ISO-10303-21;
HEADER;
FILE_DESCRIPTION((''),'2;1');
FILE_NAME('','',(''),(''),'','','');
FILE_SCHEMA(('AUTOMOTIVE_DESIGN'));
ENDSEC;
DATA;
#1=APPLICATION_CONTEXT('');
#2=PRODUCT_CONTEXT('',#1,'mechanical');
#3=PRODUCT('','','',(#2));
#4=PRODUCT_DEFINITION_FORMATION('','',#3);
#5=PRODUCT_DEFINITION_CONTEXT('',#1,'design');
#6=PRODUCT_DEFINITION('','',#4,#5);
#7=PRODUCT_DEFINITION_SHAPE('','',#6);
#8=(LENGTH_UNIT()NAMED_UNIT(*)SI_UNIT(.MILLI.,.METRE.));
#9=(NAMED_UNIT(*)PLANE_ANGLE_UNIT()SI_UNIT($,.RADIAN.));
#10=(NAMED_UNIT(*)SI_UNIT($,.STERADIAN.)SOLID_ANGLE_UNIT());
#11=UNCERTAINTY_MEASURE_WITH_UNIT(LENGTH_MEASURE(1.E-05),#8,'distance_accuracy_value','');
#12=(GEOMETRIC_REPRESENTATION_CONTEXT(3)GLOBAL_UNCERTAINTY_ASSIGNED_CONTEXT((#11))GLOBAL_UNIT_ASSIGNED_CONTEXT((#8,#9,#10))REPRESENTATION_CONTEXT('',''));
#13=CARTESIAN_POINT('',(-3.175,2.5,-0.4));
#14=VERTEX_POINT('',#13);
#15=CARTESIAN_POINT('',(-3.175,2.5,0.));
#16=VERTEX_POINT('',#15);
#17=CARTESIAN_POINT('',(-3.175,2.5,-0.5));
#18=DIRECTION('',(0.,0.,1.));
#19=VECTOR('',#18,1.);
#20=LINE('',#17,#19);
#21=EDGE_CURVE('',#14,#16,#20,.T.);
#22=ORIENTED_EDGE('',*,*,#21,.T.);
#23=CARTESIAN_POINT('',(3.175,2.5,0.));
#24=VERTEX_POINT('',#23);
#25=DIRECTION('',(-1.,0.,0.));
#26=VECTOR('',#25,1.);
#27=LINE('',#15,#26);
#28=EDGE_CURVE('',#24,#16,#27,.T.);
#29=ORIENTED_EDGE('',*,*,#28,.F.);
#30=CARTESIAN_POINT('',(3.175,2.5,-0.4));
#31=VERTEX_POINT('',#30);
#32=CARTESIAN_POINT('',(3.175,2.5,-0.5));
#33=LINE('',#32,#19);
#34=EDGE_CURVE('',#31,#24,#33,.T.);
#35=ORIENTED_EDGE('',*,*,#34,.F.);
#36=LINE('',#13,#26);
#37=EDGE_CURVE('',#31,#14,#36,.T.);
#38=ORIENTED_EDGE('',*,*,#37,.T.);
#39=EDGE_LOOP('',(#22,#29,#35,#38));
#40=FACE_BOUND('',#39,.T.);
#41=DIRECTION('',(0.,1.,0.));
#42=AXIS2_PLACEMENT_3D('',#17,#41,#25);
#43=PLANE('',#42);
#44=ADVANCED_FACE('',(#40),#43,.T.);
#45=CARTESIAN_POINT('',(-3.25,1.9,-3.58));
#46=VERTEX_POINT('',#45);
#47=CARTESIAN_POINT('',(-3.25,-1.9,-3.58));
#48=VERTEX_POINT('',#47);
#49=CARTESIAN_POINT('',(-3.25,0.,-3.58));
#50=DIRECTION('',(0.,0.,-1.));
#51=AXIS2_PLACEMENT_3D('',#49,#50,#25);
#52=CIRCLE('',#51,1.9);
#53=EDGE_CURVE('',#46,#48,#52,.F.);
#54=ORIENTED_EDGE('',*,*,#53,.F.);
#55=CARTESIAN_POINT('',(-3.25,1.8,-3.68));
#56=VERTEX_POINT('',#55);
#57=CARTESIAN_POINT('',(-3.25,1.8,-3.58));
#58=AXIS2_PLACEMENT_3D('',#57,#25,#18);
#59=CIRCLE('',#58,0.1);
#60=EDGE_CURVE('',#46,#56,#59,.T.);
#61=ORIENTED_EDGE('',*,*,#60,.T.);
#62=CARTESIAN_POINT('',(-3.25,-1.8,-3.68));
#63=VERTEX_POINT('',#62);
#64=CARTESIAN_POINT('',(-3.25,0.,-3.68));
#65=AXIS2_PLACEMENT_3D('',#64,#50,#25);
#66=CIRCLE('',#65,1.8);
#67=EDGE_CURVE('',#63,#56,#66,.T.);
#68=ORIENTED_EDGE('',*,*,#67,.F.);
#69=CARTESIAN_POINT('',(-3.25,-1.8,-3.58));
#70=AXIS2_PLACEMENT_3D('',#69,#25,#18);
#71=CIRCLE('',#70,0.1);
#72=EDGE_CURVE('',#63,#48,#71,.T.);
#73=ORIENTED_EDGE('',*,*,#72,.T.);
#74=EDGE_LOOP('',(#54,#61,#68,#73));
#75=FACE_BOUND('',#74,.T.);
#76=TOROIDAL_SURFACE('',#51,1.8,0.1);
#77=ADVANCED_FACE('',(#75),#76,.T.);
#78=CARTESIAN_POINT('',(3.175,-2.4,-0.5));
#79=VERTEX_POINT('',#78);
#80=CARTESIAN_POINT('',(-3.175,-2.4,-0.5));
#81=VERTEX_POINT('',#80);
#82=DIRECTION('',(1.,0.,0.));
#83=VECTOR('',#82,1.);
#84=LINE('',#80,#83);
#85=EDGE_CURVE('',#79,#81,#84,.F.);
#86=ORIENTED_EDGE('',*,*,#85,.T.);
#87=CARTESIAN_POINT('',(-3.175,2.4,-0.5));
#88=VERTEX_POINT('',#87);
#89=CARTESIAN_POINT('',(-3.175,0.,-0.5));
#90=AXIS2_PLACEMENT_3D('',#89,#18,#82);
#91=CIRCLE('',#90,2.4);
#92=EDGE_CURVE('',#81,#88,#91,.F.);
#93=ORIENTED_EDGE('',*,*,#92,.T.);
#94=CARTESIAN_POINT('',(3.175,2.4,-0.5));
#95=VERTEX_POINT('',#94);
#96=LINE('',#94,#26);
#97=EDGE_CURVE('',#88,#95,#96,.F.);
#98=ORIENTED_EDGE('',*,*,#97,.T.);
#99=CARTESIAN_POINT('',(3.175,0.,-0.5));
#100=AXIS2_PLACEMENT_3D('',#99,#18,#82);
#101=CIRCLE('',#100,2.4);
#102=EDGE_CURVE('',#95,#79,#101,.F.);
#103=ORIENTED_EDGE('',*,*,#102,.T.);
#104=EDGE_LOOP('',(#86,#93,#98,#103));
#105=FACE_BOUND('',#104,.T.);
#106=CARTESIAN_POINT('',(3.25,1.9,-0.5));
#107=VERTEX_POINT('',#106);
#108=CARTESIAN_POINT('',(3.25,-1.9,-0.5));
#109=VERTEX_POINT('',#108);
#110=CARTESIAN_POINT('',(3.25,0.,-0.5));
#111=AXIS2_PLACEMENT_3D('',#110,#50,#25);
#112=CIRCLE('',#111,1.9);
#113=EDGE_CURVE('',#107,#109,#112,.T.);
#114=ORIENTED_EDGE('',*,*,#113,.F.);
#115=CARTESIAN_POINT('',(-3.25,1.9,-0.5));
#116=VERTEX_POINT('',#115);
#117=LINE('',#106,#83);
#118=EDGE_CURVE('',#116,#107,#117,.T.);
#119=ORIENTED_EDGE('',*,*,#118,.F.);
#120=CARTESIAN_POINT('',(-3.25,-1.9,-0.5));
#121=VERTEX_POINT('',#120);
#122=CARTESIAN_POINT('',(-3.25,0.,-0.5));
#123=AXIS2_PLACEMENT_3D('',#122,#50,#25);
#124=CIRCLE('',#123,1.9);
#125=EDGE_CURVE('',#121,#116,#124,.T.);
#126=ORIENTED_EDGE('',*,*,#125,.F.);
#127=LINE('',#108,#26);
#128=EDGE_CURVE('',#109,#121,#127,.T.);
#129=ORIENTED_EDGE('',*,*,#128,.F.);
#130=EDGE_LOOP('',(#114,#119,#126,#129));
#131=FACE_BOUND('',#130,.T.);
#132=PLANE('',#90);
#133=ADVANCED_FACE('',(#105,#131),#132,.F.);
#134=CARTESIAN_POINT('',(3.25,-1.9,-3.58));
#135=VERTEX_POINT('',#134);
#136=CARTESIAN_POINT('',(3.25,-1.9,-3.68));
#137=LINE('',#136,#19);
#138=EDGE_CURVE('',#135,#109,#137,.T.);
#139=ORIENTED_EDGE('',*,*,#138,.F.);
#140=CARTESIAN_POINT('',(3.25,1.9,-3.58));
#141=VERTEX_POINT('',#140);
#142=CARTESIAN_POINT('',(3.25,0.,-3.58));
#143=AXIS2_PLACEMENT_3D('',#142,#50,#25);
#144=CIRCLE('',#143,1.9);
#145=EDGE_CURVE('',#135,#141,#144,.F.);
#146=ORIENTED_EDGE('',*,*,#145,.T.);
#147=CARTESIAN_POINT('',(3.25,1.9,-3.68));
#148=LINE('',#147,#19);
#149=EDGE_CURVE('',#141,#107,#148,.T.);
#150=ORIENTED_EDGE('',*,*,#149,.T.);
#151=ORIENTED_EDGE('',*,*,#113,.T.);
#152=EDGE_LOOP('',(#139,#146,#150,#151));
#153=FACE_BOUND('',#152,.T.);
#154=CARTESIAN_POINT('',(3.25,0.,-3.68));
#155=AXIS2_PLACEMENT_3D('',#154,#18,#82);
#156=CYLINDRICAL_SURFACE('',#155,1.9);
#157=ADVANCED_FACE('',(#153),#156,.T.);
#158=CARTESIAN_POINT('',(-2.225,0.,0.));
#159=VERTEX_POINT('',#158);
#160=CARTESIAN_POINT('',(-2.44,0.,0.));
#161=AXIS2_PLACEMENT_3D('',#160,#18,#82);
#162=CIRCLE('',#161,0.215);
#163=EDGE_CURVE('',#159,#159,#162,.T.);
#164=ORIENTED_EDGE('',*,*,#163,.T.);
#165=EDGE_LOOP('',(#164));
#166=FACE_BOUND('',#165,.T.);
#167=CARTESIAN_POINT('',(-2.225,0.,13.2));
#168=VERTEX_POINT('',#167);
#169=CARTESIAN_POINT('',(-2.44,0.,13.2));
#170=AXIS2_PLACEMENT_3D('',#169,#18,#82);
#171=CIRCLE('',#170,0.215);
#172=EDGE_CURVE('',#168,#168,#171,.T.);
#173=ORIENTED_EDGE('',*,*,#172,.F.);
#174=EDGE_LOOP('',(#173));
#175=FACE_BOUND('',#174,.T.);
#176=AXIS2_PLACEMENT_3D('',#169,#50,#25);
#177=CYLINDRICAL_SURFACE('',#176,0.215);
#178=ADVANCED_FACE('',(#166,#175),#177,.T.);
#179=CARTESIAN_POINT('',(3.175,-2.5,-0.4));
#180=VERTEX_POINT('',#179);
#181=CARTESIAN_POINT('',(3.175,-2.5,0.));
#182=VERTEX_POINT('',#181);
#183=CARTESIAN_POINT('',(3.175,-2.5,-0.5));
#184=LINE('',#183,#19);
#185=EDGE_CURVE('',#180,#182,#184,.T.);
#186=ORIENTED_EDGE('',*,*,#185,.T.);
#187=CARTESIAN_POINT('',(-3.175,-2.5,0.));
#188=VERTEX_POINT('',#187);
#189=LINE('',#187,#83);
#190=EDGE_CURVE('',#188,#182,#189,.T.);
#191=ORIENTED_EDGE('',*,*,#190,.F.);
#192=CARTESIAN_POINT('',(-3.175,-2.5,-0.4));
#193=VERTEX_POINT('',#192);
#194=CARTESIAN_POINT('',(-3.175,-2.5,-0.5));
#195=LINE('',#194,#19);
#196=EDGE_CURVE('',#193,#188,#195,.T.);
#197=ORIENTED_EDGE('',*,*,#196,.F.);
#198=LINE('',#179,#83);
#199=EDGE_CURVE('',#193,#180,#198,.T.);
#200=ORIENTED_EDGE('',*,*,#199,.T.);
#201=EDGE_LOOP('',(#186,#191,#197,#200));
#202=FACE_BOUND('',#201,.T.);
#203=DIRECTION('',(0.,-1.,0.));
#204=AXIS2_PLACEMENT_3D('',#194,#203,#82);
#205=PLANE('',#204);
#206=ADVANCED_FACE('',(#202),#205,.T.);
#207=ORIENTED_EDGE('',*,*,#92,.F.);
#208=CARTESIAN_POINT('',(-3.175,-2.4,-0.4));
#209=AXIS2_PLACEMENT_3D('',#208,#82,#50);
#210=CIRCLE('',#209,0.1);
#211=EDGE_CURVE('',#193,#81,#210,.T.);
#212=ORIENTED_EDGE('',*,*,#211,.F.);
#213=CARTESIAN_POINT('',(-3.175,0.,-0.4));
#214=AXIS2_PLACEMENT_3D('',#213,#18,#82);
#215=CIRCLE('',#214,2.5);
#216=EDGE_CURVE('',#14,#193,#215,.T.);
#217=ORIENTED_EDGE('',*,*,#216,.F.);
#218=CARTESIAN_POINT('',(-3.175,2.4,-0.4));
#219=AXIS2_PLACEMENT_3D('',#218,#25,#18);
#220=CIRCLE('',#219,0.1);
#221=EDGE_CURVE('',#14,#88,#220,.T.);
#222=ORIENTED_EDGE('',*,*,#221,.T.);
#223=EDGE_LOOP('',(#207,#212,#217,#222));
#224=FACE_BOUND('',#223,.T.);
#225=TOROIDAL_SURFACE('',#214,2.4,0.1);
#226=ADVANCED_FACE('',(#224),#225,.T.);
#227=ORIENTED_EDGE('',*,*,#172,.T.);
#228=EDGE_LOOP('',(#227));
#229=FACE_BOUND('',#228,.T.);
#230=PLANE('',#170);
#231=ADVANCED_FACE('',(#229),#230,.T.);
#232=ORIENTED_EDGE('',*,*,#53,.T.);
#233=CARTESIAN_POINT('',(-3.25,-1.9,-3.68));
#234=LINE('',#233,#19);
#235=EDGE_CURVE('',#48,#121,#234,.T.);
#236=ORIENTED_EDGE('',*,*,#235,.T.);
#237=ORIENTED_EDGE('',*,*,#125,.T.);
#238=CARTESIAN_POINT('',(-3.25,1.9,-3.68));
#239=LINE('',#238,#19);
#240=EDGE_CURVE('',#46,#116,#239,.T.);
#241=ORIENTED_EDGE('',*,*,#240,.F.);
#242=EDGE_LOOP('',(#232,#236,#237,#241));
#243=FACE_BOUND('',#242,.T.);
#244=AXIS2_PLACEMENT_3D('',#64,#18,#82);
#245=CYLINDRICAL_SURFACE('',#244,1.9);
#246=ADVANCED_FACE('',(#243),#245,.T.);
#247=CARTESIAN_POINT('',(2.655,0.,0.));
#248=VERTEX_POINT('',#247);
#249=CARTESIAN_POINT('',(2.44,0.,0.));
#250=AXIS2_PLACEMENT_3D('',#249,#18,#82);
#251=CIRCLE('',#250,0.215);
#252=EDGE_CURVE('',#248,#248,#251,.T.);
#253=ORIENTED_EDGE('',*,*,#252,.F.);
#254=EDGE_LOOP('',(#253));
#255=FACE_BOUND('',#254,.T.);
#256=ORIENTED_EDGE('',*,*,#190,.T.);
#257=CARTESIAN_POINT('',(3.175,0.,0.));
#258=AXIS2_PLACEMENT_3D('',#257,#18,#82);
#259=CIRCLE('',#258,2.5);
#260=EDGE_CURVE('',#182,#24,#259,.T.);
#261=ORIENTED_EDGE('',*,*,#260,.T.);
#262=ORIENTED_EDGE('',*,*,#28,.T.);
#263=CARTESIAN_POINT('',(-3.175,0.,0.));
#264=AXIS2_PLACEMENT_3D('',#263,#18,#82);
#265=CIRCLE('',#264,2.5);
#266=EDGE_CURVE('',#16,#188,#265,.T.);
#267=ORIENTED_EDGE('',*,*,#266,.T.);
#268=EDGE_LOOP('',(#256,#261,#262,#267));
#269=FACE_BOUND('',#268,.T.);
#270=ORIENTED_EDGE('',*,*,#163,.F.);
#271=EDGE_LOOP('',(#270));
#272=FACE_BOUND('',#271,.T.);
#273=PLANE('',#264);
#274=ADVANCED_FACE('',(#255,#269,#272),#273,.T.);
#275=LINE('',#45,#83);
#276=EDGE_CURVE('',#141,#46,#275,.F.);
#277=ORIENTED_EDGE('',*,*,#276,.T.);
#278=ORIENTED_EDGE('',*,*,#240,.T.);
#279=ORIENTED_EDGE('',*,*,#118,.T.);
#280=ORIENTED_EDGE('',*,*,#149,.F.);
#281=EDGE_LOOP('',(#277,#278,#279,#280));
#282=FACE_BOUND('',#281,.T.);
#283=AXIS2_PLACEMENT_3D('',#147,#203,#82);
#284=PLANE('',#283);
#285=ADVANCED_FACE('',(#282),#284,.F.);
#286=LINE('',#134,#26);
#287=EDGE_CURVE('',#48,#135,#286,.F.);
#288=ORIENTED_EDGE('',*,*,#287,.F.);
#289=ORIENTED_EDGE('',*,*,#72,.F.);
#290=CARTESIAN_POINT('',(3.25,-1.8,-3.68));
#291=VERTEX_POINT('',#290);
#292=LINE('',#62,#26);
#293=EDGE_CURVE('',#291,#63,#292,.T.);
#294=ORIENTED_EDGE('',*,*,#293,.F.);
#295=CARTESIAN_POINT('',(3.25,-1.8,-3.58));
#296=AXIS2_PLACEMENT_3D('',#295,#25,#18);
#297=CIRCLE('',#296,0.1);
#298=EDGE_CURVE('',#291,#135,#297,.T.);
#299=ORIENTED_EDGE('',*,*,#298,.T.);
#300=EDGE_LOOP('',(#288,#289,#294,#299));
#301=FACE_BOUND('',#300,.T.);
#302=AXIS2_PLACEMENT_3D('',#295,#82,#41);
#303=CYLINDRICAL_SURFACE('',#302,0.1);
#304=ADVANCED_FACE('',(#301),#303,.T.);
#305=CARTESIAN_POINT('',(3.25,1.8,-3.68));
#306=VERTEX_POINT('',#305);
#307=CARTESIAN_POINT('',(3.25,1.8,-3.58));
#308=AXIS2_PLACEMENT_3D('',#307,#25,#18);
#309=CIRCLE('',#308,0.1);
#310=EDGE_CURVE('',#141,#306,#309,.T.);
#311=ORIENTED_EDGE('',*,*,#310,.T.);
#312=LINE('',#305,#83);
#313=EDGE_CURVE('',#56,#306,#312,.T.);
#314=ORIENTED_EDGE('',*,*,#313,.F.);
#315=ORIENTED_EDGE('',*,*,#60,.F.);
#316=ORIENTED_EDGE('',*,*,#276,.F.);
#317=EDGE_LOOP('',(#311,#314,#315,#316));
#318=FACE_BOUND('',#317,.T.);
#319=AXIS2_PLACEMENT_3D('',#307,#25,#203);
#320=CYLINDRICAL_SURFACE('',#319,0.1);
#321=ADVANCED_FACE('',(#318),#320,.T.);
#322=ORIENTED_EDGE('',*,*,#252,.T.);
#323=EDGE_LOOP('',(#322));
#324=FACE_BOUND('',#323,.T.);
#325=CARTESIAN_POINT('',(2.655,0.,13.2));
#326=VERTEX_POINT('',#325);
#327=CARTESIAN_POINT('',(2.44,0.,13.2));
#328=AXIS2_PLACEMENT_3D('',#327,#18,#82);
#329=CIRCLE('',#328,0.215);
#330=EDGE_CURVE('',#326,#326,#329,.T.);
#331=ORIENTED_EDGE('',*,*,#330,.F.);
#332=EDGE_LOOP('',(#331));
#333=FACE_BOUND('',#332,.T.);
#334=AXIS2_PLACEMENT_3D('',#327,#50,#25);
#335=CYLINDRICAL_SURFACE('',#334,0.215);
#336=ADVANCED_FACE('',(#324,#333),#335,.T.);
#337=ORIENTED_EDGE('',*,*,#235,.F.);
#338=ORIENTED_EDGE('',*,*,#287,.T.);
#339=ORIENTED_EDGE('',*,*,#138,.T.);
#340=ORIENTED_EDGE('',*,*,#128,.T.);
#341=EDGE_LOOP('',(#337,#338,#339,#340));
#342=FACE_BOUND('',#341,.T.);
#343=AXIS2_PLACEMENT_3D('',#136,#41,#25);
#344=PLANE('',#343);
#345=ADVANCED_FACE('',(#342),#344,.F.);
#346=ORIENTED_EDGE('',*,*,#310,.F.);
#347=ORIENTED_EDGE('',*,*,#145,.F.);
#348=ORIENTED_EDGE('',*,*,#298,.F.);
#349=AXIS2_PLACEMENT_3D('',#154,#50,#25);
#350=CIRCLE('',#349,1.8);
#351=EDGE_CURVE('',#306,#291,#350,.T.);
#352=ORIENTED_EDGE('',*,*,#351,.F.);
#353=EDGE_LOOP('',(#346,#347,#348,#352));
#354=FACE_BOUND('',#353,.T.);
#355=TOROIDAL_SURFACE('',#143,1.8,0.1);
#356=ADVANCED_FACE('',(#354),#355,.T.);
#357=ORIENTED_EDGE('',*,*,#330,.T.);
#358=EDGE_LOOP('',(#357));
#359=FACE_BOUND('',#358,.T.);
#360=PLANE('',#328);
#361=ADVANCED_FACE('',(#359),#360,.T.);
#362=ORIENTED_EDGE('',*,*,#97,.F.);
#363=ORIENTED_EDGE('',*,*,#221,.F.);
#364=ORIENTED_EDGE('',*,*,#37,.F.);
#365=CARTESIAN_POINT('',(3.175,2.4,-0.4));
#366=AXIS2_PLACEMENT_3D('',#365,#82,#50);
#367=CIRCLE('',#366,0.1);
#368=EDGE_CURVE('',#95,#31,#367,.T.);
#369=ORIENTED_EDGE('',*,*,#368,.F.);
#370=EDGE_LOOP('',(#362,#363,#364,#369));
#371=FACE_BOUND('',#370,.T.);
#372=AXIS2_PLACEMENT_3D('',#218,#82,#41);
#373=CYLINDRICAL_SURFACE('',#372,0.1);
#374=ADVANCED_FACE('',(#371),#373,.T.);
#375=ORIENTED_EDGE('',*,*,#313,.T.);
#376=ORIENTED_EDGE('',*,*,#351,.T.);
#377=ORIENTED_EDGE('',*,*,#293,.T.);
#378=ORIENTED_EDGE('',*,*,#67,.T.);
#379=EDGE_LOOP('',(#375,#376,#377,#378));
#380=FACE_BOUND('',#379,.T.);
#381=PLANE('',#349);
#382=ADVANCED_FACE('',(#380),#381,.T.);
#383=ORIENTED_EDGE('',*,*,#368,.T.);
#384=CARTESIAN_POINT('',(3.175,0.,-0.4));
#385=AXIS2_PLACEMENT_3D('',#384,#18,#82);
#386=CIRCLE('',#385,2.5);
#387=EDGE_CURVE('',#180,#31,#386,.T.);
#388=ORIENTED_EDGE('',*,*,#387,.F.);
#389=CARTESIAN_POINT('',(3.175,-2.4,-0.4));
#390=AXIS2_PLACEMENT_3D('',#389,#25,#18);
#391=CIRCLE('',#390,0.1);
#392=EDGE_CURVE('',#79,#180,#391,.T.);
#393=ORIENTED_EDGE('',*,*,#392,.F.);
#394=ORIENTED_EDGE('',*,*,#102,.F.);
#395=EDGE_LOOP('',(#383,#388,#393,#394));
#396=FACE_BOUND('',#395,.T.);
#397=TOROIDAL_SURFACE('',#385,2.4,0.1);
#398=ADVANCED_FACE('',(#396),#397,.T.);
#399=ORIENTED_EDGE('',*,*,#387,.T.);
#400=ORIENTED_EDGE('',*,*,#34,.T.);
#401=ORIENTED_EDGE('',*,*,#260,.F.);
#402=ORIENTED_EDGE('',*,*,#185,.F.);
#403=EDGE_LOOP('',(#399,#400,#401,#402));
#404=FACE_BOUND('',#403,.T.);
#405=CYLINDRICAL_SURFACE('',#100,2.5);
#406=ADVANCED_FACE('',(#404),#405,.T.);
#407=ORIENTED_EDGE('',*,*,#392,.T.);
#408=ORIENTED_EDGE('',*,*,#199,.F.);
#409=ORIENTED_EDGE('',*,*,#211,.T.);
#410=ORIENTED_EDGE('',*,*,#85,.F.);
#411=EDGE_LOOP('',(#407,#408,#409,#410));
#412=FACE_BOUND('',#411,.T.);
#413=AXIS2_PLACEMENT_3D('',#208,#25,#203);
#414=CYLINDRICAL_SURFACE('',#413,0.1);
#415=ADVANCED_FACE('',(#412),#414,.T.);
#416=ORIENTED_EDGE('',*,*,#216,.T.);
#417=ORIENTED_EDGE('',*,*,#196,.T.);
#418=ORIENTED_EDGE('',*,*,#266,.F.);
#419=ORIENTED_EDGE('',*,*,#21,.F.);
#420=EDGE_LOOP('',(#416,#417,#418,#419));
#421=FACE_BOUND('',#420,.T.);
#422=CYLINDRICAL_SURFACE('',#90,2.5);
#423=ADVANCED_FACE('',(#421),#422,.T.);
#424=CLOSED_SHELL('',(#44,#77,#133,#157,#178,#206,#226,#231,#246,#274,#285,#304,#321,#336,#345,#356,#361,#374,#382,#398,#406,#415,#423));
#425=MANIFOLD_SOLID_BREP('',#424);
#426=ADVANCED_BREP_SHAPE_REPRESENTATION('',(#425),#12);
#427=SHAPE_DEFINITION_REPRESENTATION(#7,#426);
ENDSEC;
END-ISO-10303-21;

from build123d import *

# Parameters (mm, degrees)
BOSS_EXTRUDE1_DEPTH = 0.5
BOSS_EXTRUDE2_DEPTH = 3.18
SKETCH4_R           = 0.215
BOSS_EXTRUDE3_DEPTH = 13.2
FILLET5_R           = 0.1
FILLET6_R           = 0.1


with BuildPart() as part:
    # Sketch1 → Boss-Extrude1 (new body)
    with BuildSketch(Plane.XY):
        with BuildLine():
            Line((-3.175, 2.5), (3.175, 2.5))
            ThreePointArc((3.175, 2.5), (5.675, 0), (3.175, -2.5))
            Line((3.175, -2.5), (-3.175, -2.5))
            ThreePointArc((-3.175, -2.5), (-5.675, 0), (-3.175, 2.5))
        make_face()
    extrude(amount=-BOSS_EXTRUDE1_DEPTH)

    # Sketch3 → Boss-Extrude2 (add)
    with BuildSketch(Plane(origin=(0, 0, -0.5), x_dir=(-1, 0, 0), z_dir=(0, 0, -1))):
        with BuildLine():
            Line((-3.25, 1.9), (3.25, 1.9))
            ThreePointArc((3.25, 1.9), (5.15, 0), (3.25, -1.9))
            Line((3.25, -1.9), (-3.25, -1.9))
            ThreePointArc((-3.25, -1.9), (-5.15, 0), (-3.25, 1.9))
        make_face()
    extrude(amount=BOSS_EXTRUDE2_DEPTH)

    # Sketch4 → Boss-Extrude3 (add)
    with BuildSketch(Plane.XY):
        with Locations((-2.44, 0)):
            Circle(SKETCH4_R)
        with Locations((2.44, 0)):
            Circle(SKETCH4_R)
    extrude(amount=BOSS_EXTRUDE3_DEPTH)

    # Fillet5
    fillet5_edges = [part.edges().sort_by_distance(p)[0] for p in [
        (5.15, 0, -3.68),
        (0, -1.9, -3.68),
        (-5.15, 0, -3.68),
        (0, 1.9, -3.68),
    ]]
    fillet(fillet5_edges, radius=FILLET5_R)

    # Fillet6
    fillet6_edges = [part.edges().sort_by_distance(p)[0] for p in [
        (5.675, 0, -0.5),
        (0, 2.5, -0.5),
        (-5.675, 0, -0.5),
        (0, -2.5, -0.5),
    ]]
    fillet(fillet6_edges, radius=FILLET6_R)


solid = part.part
